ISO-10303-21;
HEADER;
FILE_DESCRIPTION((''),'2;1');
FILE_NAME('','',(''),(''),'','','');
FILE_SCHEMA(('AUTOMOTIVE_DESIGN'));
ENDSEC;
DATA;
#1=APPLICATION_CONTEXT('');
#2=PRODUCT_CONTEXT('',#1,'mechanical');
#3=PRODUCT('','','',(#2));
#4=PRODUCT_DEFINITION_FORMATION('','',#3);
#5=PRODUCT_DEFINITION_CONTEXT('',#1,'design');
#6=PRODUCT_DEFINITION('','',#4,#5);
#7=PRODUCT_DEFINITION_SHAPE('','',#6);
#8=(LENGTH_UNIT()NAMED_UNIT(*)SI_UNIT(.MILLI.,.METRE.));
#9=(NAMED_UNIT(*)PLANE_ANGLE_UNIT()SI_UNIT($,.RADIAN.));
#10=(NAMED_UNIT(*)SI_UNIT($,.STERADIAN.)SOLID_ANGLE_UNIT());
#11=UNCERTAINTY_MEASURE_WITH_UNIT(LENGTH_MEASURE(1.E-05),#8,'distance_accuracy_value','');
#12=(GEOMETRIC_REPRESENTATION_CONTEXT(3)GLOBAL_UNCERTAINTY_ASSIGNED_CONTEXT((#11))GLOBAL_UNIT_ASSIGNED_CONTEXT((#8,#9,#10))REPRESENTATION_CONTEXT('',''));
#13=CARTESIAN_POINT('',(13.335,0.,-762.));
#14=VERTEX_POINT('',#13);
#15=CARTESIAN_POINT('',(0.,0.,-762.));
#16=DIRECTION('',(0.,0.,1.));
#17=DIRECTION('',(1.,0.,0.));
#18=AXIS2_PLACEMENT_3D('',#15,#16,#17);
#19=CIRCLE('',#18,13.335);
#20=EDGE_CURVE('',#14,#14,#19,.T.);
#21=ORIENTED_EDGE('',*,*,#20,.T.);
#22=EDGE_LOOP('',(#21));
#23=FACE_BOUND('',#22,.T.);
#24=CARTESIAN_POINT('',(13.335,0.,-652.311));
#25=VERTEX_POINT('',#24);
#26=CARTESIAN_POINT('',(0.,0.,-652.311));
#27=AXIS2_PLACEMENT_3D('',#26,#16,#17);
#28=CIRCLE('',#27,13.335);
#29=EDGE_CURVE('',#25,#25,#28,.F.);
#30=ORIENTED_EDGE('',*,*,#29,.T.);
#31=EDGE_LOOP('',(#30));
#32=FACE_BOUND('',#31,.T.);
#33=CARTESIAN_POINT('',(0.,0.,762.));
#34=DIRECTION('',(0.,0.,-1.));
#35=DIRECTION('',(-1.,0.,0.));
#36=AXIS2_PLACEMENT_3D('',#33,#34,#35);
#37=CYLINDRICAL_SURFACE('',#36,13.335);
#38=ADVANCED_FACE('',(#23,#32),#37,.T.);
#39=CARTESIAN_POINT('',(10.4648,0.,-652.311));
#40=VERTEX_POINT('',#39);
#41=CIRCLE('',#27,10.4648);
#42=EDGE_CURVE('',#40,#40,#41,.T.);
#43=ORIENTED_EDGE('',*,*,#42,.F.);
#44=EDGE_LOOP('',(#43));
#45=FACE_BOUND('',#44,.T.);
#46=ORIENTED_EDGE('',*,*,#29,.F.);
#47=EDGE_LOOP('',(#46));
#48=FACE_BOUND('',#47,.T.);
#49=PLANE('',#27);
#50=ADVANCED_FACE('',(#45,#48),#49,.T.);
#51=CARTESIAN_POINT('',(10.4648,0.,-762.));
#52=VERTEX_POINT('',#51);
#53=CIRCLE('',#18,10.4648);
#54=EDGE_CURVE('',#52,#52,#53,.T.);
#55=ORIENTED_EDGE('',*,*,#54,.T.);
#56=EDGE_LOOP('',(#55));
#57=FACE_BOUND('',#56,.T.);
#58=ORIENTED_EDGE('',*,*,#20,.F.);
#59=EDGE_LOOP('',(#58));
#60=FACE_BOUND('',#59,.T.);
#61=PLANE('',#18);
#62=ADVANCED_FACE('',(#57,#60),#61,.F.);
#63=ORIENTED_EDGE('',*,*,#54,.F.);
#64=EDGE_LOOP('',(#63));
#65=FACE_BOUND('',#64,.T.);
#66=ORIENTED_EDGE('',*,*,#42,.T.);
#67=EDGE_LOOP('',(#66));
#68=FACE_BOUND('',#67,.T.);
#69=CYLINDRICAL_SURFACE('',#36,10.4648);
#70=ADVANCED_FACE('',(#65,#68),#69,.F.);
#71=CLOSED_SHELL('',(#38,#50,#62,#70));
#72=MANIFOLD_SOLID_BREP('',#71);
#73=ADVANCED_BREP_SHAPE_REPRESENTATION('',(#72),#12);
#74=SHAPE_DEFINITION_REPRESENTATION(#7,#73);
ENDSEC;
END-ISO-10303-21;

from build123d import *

# Parameters (mm, degrees)
SKETCH3_R                = 13.335
SKETCH3_R_2              = 10.4648
BOSS_EXTRUDE1_DEPTH      = 762
BOSS_EXTRUDE1_DEPTH_BACK = 762
SKETCH4_R                = 13.335
CUT_EXTRUDE2_DEPTH       = 1414.311


with BuildPart() as part:
    # Sketch3 → Boss-Extrude1 (new body, two sides)
    with BuildSketch(Plane.XY) as boss_extrude1_sk:
        Circle(SKETCH3_R)
        Circle(SKETCH3_R_2, mode=Mode.SUBTRACT)
    extrude(amount=BOSS_EXTRUDE1_DEPTH)
    extrude(boss_extrude1_sk.sketch, amount=-BOSS_EXTRUDE1_DEPTH_BACK)

    # Sketch4 → Cut-Extrude2 (cut)
    with BuildSketch(Plane.XY.offset(762)):
        Circle(SKETCH4_R)
    extrude(amount=-CUT_EXTRUDE2_DEPTH, mode=Mode.SUBTRACT)


solid = part.part
